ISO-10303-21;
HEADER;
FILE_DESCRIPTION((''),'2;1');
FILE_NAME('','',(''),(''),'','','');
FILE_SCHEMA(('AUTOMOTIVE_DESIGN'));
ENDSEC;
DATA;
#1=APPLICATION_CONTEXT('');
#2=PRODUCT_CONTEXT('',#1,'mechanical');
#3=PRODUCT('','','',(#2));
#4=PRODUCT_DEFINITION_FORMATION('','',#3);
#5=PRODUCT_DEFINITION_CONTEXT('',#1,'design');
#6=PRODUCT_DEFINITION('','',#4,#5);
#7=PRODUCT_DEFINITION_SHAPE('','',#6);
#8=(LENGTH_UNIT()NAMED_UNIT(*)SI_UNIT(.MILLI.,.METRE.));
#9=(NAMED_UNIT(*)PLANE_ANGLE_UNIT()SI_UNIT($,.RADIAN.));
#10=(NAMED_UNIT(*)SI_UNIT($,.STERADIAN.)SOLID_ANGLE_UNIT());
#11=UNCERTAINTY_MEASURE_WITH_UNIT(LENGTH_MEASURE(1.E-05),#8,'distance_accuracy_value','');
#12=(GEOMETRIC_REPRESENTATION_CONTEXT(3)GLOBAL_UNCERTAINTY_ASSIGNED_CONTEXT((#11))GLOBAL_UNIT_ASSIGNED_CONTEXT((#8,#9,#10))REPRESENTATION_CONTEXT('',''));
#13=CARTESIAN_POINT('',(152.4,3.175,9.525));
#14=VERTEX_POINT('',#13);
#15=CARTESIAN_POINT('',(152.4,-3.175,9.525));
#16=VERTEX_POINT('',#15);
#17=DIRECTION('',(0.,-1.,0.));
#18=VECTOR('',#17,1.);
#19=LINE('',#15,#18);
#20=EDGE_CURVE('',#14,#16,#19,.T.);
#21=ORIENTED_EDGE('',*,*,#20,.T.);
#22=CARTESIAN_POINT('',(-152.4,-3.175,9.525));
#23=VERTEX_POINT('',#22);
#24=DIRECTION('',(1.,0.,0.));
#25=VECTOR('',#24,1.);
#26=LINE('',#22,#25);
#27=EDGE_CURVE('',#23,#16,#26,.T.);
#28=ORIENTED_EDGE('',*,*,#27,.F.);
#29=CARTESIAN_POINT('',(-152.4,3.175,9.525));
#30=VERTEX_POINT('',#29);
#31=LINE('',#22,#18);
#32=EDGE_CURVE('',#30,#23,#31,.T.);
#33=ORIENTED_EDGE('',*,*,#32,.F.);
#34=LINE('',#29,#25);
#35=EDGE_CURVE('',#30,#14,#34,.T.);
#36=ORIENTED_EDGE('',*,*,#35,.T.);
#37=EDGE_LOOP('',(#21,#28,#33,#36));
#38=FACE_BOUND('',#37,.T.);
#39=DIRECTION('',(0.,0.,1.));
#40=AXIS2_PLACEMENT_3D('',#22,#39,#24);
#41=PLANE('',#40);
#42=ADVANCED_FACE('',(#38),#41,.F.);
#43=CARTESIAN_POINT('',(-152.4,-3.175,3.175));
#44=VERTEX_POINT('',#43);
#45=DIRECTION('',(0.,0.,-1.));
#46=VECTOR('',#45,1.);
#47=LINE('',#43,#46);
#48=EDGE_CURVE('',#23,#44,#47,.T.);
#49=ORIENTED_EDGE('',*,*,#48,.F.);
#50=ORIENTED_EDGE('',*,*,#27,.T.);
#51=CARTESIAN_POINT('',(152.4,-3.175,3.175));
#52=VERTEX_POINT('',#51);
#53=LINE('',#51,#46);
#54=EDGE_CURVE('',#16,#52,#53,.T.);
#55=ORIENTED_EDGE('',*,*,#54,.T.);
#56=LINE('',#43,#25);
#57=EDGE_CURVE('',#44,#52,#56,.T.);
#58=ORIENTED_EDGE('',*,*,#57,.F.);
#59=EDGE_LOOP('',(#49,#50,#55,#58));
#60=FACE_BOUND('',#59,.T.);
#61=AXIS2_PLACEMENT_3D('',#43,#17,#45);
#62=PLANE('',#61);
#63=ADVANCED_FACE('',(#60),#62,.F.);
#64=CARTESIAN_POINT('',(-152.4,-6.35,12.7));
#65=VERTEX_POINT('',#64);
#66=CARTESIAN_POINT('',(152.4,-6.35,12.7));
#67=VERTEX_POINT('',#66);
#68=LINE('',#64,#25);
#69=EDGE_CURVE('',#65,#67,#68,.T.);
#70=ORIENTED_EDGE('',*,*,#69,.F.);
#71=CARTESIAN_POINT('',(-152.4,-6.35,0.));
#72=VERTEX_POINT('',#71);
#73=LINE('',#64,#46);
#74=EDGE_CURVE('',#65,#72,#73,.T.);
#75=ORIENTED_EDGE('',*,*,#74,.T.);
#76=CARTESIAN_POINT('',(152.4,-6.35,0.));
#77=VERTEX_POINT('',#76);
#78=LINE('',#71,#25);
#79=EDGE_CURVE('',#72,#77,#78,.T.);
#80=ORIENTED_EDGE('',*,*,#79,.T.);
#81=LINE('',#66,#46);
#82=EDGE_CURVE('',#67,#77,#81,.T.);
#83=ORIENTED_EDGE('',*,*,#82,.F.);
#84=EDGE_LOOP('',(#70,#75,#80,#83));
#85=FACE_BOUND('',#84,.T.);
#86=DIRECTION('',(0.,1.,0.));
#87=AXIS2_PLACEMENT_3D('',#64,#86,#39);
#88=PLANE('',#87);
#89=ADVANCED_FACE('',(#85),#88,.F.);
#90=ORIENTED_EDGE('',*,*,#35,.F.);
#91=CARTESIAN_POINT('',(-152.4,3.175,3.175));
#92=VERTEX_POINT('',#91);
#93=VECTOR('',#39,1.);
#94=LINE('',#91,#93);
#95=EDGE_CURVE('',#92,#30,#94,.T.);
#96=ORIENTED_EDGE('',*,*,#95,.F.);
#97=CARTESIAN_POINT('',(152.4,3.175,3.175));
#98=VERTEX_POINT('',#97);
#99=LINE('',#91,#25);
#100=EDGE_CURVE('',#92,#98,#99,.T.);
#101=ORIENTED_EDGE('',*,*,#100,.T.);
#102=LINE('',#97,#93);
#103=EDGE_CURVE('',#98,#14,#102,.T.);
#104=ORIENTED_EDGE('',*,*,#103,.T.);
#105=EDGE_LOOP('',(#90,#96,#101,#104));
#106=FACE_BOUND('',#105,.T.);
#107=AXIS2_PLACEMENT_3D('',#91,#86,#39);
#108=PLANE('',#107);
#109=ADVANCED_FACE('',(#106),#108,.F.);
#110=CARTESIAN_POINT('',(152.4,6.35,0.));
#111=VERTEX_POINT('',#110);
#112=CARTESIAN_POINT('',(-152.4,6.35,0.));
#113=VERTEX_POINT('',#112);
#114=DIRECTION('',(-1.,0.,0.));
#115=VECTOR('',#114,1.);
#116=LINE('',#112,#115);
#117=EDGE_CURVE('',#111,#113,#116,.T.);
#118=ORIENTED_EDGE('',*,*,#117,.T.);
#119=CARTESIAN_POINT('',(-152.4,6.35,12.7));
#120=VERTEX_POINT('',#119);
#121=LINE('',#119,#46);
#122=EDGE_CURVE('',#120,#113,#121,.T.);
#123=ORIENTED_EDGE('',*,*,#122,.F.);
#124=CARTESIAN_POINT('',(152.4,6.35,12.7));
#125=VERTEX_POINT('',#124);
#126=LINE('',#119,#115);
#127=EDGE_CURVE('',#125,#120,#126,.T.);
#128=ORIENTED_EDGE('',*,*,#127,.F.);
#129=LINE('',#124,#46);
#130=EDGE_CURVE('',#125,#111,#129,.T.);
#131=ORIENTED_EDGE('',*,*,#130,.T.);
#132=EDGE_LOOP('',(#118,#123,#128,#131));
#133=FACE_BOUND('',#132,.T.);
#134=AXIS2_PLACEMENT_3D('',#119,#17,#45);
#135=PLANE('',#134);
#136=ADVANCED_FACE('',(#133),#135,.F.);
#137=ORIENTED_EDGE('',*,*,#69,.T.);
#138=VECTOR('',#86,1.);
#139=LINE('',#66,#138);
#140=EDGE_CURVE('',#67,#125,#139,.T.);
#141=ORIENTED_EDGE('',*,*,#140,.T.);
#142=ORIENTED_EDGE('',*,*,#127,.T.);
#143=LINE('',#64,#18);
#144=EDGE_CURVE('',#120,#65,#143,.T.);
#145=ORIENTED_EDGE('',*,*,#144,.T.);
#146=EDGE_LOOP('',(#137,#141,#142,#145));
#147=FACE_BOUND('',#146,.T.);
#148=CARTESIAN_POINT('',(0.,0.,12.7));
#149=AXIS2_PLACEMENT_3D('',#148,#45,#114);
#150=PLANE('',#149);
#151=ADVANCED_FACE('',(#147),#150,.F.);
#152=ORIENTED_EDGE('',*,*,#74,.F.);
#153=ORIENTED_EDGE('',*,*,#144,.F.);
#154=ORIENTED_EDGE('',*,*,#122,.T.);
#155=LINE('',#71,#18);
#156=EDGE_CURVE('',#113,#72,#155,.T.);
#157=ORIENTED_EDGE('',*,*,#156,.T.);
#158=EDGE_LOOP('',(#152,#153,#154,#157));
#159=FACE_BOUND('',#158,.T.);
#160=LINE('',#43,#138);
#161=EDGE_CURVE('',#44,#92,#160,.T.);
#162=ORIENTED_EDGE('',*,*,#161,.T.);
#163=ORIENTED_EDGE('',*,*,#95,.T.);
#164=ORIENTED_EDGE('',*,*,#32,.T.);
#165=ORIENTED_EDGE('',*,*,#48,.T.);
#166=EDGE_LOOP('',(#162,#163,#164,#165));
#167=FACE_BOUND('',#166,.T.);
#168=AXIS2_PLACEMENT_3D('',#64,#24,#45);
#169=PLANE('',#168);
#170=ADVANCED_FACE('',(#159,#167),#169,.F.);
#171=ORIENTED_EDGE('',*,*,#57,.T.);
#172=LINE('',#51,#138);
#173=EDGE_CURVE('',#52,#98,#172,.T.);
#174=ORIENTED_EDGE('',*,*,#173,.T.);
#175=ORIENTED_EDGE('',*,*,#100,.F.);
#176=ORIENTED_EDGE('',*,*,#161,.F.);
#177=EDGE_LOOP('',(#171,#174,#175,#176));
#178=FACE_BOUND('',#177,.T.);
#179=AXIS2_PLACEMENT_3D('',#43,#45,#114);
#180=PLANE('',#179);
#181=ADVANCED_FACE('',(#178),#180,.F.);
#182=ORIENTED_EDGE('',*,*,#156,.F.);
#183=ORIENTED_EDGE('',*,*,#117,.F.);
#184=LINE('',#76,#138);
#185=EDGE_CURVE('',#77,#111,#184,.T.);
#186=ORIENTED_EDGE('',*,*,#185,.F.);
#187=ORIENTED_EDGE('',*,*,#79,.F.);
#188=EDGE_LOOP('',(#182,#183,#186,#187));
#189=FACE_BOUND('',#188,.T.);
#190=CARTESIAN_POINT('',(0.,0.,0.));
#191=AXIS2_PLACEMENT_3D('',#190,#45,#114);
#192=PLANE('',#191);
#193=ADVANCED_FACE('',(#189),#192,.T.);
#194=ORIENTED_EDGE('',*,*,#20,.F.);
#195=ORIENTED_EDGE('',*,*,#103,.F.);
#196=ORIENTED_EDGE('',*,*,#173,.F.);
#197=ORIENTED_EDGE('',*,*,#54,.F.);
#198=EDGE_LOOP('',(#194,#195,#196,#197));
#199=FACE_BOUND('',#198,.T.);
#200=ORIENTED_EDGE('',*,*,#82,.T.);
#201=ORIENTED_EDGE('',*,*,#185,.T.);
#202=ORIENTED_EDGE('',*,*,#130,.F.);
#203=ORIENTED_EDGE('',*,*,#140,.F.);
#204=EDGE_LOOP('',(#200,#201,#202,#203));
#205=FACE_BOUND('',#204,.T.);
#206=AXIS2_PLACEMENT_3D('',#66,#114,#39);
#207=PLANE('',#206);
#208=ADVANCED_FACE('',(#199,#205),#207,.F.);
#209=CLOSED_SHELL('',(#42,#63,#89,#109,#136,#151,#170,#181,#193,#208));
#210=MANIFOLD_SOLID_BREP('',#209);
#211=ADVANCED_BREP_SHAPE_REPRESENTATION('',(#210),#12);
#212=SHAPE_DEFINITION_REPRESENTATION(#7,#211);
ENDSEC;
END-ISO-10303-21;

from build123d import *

# Parameters (mm, degrees)
SKETCH1_W           = 304.8
SKETCH1_H           = 12.7
BOSS_EXTRUDE1_DEPTH = 12.7
SKETCH2_W           = 6.35
SKETCH2_H           = 6.35
CUT_EXTRUDE1_DEPTH  = 306.130549929


with BuildPart() as part:
    # Sketch1 → Boss-Extrude1 (new body)
    with BuildSketch(Plane.XY):
        Rectangle(SKETCH1_W, SKETCH1_H)
    extrude(amount=BOSS_EXTRUDE1_DEPTH)

    # Sketch2 → Cut-Extrude1 (cut, through all)
    with BuildSketch(Plane(origin=(152.4, 0, 0), x_dir=(0, 0, -1), z_dir=(1, 0, 0))):
        with Locations((-6.35, 0)):
            Rectangle(SKETCH2_W, SKETCH2_H)
    extrude(amount=-CUT_EXTRUDE1_DEPTH, mode=Mode.SUBTRACT)


solid = part.part
